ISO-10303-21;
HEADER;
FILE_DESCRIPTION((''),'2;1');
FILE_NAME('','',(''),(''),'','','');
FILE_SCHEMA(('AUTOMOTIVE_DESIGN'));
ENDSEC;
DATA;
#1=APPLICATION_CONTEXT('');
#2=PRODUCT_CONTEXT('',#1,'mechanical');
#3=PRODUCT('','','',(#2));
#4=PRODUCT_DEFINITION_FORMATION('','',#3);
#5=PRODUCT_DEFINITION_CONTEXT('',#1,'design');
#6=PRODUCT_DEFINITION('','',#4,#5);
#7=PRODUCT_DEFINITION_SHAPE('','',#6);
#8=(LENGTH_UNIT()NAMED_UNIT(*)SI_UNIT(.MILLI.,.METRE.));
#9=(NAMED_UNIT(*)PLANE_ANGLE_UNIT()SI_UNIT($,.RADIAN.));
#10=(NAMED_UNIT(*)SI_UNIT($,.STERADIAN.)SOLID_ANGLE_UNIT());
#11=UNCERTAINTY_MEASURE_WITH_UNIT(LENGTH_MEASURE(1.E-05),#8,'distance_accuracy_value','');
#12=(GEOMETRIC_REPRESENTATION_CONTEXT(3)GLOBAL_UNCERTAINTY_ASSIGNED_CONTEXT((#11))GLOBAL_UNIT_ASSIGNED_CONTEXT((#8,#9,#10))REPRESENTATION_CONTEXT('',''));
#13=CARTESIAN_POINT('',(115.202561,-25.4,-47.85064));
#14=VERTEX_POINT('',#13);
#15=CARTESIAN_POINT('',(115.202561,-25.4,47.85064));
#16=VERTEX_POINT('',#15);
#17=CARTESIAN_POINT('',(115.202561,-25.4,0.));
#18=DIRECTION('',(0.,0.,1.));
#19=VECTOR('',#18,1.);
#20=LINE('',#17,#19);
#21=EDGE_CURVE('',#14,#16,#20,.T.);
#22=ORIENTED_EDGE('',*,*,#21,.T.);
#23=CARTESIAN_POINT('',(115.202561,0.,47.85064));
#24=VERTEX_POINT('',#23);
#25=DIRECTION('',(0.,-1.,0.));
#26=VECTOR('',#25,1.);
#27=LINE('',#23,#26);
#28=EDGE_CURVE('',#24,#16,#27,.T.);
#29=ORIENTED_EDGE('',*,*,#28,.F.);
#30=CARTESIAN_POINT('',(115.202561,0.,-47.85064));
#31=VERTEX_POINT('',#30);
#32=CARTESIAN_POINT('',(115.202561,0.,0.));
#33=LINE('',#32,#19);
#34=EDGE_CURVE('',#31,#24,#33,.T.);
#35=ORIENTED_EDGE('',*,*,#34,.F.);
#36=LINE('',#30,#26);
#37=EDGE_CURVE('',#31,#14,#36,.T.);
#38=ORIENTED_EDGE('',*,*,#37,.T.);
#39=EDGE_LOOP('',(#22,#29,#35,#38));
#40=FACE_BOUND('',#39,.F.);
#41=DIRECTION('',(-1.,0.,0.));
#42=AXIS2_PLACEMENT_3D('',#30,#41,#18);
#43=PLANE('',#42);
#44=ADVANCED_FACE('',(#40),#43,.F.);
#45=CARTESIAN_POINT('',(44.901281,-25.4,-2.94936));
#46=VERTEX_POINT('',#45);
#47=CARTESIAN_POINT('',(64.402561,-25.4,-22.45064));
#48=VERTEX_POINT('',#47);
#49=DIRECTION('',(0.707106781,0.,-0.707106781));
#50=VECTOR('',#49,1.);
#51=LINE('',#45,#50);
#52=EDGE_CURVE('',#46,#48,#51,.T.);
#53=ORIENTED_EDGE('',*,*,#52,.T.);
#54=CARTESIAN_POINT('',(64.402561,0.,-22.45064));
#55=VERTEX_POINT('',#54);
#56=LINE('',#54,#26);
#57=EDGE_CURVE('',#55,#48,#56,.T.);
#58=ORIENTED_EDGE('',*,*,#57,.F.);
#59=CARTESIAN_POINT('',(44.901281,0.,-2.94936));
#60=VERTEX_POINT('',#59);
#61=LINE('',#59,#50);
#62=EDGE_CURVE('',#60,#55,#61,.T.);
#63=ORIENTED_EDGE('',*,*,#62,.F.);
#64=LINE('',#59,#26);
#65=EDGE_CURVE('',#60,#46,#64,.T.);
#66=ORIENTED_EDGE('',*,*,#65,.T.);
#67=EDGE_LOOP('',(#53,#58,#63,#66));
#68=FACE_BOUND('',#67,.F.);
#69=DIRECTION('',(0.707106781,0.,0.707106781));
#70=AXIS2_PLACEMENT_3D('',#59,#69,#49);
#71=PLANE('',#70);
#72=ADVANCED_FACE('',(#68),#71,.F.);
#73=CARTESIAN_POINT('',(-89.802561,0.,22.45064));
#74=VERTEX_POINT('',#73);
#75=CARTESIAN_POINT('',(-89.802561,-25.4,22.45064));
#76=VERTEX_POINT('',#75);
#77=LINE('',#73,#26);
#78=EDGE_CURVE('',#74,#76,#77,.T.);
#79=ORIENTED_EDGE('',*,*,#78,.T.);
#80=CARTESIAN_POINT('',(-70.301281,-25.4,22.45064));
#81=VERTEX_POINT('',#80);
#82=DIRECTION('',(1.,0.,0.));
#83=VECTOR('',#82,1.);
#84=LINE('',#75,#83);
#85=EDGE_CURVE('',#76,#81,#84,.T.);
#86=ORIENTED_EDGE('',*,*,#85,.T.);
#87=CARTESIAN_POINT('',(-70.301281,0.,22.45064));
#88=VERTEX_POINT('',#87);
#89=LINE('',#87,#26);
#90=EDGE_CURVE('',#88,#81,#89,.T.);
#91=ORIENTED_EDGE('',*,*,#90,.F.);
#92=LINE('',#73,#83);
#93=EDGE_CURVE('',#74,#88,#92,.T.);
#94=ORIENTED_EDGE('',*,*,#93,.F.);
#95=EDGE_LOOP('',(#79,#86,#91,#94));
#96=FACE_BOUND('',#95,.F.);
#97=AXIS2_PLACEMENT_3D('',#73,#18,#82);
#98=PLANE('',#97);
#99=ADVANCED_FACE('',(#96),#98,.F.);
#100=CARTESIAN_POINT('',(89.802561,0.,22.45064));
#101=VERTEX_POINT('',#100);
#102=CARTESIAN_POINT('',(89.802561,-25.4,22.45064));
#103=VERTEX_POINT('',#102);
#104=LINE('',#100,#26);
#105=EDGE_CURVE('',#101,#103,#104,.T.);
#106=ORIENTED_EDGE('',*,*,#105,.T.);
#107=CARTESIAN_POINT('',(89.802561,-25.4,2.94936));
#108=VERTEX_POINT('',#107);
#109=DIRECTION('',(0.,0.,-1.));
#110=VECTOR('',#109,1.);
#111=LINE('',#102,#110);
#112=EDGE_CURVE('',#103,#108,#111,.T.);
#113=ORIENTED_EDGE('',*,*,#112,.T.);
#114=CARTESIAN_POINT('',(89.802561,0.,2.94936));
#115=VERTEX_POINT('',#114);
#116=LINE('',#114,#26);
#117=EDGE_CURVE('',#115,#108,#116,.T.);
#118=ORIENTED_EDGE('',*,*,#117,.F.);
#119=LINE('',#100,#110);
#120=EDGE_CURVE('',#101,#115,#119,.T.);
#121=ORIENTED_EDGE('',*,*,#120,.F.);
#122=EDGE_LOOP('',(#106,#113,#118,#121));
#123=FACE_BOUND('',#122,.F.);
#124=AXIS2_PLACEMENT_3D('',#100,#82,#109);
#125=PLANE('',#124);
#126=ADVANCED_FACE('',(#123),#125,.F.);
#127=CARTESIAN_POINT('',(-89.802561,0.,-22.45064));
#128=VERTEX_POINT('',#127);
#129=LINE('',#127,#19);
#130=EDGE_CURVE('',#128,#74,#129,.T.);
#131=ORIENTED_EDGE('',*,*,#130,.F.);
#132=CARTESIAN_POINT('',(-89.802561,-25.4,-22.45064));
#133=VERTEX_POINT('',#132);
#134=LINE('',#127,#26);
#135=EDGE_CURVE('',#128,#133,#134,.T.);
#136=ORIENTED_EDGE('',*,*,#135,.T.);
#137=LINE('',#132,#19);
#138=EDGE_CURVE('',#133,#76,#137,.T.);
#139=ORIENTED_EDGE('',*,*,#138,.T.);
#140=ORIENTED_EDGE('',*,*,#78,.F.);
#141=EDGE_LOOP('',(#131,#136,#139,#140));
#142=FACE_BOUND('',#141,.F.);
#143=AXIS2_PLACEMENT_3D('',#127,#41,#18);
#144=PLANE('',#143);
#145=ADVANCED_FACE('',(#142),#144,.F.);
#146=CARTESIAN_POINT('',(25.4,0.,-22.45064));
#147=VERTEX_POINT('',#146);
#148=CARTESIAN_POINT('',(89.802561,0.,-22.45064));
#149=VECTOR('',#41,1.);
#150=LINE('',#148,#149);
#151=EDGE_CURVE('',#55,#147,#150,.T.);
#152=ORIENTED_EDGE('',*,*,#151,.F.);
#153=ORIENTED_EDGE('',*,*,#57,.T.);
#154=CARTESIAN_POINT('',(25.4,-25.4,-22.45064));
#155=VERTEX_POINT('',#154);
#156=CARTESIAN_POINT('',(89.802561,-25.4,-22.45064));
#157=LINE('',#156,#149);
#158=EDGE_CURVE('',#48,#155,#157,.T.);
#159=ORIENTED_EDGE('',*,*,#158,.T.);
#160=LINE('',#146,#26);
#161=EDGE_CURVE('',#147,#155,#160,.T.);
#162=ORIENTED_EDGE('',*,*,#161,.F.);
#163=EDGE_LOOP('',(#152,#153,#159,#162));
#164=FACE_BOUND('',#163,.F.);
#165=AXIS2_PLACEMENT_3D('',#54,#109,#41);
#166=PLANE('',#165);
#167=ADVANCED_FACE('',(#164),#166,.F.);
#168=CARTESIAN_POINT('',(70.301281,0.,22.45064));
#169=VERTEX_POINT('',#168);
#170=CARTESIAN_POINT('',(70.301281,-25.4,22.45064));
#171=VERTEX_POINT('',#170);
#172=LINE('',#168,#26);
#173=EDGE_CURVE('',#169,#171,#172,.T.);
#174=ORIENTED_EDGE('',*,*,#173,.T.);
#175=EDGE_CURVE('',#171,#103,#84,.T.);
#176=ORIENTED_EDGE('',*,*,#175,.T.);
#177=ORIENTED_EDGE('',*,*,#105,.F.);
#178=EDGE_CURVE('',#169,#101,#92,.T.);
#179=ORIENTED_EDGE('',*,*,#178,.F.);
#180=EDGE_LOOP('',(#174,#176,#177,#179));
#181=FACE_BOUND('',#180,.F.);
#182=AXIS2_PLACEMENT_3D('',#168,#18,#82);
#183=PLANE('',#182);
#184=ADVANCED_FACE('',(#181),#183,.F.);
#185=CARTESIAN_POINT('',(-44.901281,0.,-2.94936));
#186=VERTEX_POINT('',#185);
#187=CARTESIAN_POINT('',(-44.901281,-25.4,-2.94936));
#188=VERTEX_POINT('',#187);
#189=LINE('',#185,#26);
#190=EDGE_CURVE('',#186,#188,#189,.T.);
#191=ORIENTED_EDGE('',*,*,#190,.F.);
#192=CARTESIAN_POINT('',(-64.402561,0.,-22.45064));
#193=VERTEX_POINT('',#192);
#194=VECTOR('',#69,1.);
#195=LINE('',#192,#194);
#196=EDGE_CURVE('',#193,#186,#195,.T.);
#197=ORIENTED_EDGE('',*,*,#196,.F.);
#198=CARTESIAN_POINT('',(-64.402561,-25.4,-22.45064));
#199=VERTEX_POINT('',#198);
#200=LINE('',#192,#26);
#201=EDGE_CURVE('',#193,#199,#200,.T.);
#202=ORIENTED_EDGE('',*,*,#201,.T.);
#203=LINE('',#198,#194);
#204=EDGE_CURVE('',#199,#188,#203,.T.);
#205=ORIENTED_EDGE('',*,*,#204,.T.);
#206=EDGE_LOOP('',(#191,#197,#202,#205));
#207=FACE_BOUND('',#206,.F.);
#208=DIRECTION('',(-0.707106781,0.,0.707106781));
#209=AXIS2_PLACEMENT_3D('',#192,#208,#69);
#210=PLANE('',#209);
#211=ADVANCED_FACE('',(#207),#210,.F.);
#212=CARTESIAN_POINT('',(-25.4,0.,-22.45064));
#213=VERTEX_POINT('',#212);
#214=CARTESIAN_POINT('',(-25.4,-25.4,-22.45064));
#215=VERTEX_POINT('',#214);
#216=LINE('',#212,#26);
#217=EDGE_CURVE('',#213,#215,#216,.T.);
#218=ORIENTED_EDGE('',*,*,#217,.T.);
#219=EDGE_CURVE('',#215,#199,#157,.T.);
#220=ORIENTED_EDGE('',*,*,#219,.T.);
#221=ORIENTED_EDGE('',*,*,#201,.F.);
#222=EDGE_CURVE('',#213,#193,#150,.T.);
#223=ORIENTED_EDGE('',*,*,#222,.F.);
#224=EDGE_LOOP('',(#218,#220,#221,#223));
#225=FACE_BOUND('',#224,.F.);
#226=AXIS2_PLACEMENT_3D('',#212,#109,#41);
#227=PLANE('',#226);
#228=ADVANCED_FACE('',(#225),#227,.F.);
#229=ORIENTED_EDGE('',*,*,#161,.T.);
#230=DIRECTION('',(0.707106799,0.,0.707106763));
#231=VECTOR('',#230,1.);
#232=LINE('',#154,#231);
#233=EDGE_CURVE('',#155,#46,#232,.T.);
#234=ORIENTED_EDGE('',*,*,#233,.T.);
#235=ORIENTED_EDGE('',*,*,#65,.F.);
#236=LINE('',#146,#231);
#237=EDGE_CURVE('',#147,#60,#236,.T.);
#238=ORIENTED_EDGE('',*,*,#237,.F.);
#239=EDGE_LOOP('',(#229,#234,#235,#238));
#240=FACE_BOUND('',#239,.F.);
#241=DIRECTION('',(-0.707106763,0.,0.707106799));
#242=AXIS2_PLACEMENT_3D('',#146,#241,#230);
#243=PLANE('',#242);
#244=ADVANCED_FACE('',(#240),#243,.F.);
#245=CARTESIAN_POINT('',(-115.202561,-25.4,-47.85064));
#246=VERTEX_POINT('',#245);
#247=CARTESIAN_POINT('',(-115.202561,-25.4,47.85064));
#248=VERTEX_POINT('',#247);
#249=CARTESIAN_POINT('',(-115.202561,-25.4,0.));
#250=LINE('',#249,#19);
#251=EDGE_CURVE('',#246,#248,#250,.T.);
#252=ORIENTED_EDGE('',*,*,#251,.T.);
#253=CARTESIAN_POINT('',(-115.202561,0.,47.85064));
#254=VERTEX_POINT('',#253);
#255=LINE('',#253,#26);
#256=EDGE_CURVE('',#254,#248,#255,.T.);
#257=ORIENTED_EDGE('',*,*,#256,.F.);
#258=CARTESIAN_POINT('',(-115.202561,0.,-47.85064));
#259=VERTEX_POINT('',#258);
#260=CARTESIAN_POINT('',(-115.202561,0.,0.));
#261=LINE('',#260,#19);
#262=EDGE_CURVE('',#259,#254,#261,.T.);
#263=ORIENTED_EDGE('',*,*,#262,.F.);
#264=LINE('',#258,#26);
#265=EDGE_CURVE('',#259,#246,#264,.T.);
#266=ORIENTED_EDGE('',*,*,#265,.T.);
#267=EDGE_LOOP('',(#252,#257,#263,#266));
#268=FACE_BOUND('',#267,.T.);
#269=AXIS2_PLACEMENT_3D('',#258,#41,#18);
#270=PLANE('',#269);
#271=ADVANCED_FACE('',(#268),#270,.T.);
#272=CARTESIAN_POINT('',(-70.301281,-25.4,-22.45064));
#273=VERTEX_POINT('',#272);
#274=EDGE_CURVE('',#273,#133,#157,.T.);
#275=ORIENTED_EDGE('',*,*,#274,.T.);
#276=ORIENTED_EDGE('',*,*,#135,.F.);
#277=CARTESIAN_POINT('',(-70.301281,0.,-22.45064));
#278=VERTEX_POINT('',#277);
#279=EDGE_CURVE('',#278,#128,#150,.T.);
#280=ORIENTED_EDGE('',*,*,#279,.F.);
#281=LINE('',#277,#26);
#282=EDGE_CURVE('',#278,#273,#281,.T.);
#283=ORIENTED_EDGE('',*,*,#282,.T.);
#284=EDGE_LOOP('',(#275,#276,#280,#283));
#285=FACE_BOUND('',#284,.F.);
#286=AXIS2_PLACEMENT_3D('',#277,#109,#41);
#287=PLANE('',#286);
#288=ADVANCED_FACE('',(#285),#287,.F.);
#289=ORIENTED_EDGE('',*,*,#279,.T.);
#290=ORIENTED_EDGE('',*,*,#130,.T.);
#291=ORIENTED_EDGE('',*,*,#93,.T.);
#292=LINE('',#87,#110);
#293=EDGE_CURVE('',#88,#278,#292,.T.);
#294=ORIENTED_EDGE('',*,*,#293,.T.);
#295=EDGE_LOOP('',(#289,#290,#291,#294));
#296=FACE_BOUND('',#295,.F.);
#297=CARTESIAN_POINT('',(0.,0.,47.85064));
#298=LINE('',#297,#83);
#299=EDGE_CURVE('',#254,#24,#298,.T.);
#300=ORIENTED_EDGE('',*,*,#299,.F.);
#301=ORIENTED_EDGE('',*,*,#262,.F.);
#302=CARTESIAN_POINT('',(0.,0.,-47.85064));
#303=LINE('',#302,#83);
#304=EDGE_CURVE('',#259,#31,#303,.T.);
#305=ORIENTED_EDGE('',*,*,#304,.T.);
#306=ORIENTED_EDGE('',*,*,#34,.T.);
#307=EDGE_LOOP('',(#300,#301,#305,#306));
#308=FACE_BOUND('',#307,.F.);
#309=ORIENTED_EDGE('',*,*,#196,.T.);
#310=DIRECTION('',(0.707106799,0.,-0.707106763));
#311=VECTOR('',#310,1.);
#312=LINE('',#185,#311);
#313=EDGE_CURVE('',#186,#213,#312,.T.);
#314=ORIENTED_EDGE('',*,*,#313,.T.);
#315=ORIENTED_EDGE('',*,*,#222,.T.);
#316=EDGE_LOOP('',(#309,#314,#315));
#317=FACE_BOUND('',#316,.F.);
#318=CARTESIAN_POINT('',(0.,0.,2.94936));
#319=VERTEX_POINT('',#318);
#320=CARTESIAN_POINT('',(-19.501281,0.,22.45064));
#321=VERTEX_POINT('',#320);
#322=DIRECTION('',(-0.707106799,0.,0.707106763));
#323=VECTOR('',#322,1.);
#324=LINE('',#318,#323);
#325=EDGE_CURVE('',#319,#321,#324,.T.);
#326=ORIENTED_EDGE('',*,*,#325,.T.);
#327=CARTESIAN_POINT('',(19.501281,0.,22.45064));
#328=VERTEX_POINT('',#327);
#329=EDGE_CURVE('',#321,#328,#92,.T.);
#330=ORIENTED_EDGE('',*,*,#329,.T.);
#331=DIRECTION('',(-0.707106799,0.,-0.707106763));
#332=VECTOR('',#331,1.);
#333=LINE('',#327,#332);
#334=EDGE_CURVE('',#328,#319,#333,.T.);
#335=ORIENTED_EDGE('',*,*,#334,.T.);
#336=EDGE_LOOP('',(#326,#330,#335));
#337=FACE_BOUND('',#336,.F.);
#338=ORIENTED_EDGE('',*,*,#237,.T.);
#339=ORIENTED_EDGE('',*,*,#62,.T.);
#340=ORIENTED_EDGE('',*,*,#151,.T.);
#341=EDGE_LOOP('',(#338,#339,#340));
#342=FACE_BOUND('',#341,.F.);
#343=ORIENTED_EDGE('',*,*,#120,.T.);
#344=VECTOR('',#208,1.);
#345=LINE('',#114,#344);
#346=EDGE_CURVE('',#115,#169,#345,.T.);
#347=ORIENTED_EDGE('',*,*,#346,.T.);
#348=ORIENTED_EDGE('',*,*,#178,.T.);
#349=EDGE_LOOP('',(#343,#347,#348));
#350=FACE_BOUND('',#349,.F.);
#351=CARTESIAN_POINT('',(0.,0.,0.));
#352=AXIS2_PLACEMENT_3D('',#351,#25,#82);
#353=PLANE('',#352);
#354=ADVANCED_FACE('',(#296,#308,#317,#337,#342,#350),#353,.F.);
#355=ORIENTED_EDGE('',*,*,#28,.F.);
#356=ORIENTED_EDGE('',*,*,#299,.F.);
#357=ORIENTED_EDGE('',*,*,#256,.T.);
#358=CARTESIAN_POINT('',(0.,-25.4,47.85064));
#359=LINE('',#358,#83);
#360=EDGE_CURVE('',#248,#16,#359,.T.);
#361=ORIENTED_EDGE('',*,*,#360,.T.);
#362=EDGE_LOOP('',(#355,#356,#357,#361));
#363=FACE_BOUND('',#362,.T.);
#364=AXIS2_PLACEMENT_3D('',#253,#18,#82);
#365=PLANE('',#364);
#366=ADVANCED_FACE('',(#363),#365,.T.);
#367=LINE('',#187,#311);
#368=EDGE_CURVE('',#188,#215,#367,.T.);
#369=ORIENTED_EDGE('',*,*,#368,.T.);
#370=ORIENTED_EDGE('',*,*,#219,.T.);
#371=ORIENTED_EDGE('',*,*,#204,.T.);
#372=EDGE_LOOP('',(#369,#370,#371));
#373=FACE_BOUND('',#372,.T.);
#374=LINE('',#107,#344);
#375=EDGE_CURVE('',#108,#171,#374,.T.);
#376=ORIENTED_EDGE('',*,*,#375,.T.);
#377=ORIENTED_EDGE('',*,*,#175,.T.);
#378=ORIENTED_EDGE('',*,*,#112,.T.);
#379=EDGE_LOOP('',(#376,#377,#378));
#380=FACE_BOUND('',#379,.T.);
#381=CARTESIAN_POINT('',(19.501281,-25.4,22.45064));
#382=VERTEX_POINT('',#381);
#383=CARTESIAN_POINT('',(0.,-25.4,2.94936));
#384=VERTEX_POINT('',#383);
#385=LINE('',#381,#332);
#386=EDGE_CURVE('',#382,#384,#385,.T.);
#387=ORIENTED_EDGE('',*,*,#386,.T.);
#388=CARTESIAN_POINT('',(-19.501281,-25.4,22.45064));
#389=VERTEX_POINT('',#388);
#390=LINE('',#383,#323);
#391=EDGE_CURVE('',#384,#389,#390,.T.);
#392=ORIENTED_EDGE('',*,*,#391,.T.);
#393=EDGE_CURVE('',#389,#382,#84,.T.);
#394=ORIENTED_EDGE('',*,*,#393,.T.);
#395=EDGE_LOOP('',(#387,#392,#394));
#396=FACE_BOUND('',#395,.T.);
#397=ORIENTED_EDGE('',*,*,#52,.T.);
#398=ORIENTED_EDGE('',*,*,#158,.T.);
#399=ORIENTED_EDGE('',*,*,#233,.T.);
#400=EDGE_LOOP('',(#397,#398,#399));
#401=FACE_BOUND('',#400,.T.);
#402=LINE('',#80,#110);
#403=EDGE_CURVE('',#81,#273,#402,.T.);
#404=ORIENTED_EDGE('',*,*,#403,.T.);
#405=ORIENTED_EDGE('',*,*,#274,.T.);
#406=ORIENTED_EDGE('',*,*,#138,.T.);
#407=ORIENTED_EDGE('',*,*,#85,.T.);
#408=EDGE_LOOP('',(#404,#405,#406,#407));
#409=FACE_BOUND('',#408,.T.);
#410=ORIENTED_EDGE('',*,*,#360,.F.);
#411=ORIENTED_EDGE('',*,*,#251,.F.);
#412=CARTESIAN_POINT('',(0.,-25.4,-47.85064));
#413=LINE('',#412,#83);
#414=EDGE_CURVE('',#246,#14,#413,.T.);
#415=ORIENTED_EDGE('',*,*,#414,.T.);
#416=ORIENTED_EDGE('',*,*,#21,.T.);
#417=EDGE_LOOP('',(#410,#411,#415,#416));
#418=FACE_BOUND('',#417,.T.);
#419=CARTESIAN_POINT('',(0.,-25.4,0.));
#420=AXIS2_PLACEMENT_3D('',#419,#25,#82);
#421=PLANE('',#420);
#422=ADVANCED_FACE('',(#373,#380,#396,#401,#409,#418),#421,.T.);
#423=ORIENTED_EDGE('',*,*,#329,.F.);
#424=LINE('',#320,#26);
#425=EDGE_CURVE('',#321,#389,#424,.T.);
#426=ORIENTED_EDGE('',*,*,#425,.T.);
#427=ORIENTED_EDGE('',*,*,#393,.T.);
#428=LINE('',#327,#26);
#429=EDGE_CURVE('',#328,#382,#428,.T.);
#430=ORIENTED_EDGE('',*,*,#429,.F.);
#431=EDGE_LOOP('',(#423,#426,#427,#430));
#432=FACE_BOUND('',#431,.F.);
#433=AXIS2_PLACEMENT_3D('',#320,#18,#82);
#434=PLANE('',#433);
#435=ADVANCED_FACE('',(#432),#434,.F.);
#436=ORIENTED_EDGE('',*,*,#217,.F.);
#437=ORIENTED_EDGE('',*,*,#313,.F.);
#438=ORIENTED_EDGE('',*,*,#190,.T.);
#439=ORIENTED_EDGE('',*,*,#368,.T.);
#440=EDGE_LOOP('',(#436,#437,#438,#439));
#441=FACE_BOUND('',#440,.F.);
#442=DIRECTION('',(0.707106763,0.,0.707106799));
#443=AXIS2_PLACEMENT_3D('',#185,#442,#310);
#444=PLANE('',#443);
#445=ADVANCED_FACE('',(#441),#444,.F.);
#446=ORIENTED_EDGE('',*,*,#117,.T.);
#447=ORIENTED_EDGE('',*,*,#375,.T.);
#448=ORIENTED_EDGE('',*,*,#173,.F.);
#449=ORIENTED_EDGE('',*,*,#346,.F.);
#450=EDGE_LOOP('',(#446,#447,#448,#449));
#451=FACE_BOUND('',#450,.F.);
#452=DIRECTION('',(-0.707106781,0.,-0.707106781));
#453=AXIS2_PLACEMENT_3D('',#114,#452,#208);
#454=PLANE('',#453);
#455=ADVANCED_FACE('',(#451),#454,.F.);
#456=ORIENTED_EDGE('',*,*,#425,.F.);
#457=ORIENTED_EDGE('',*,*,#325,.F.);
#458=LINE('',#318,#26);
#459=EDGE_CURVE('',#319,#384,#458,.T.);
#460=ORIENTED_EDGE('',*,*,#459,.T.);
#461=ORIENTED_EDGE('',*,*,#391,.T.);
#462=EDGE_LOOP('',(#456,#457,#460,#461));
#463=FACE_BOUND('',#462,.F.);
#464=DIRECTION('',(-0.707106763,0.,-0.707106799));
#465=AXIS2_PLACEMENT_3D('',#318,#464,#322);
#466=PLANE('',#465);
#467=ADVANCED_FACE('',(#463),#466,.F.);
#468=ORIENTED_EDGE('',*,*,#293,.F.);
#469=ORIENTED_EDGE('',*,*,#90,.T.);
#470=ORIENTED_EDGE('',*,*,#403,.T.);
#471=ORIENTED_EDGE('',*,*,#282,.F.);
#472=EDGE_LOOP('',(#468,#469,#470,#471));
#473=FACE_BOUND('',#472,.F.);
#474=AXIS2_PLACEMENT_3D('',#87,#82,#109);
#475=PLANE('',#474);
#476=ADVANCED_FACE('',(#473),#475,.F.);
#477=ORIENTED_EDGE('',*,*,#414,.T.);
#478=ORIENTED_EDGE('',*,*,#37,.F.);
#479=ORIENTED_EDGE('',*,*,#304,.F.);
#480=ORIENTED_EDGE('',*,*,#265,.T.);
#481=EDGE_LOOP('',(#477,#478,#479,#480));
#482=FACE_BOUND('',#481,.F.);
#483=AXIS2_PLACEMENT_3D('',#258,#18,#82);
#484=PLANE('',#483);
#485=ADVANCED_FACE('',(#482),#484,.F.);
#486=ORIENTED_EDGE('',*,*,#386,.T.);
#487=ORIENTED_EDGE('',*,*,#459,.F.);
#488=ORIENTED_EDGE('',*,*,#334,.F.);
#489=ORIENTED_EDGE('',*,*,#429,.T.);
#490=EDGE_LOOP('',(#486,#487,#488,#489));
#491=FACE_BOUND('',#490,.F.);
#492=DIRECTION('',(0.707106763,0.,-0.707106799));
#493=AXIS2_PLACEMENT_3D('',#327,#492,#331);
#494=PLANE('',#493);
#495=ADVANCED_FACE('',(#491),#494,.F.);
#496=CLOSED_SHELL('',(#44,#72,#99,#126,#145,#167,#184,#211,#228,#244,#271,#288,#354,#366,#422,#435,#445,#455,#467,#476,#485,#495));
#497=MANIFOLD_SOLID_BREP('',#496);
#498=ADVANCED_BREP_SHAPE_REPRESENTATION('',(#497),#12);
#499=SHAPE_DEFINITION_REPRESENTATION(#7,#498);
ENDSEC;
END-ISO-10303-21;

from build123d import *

# Parameters (mm, degrees)
F0_W     = 230.405122
F0_H     = 95.70128
F1_DEPTH = 25.4


with BuildPart() as f1:
    # F0 (on Front) → F1 (new body)
    with BuildSketch(Plane.XZ):
        Rectangle(F0_W, F0_H)
        Polygon((-70.301281, -22.45064), (-89.802561, -22.45064), (-89.802561, 2.94936), (-89.802561, 22.45064), (-70.301281, 22.45064), (-44.901281, 22.45064), (-19.501281, 22.45064), (19.501281, 22.45064), (44.901281, 22.45064), (70.301281, 22.45064), (89.802561, 22.45064), (89.802561, 2.94936), (89.802561, -22.45064), (64.402561, -22.45064), (25.4, -22.45064), (0, -22.45064), (-25.4, -22.45064), (-64.402561, -22.45064), align=None, mode=Mode.SUBTRACT)
        Polygon((-70.301281, 22.45064), (-70.301281, -22.45064), (-64.402561, -22.45064), (-44.901281, -2.94936), (-44.901281, 22.45064), align=None)
        Polygon((-44.901281, 22.45064), (-44.901281, -2.94936), (-25.4, -22.45064), (0, -22.45064), (0, 2.94936), (-19.501281, 22.45064), align=None)
        Polygon((0, 2.94936), (0, -22.45064), (25.4, -22.45064), (44.901281, -2.94936), (44.901281, 22.45064), (19.501281, 22.45064), align=None)
        Polygon((44.901281, 22.45064), (44.901281, -2.94936), (64.402561, -22.45064), (89.802561, -22.45064), (89.802561, 2.94936), (70.301281, 22.45064), align=None)
    extrude(amount=F1_DEPTH)


solid = f1.part
